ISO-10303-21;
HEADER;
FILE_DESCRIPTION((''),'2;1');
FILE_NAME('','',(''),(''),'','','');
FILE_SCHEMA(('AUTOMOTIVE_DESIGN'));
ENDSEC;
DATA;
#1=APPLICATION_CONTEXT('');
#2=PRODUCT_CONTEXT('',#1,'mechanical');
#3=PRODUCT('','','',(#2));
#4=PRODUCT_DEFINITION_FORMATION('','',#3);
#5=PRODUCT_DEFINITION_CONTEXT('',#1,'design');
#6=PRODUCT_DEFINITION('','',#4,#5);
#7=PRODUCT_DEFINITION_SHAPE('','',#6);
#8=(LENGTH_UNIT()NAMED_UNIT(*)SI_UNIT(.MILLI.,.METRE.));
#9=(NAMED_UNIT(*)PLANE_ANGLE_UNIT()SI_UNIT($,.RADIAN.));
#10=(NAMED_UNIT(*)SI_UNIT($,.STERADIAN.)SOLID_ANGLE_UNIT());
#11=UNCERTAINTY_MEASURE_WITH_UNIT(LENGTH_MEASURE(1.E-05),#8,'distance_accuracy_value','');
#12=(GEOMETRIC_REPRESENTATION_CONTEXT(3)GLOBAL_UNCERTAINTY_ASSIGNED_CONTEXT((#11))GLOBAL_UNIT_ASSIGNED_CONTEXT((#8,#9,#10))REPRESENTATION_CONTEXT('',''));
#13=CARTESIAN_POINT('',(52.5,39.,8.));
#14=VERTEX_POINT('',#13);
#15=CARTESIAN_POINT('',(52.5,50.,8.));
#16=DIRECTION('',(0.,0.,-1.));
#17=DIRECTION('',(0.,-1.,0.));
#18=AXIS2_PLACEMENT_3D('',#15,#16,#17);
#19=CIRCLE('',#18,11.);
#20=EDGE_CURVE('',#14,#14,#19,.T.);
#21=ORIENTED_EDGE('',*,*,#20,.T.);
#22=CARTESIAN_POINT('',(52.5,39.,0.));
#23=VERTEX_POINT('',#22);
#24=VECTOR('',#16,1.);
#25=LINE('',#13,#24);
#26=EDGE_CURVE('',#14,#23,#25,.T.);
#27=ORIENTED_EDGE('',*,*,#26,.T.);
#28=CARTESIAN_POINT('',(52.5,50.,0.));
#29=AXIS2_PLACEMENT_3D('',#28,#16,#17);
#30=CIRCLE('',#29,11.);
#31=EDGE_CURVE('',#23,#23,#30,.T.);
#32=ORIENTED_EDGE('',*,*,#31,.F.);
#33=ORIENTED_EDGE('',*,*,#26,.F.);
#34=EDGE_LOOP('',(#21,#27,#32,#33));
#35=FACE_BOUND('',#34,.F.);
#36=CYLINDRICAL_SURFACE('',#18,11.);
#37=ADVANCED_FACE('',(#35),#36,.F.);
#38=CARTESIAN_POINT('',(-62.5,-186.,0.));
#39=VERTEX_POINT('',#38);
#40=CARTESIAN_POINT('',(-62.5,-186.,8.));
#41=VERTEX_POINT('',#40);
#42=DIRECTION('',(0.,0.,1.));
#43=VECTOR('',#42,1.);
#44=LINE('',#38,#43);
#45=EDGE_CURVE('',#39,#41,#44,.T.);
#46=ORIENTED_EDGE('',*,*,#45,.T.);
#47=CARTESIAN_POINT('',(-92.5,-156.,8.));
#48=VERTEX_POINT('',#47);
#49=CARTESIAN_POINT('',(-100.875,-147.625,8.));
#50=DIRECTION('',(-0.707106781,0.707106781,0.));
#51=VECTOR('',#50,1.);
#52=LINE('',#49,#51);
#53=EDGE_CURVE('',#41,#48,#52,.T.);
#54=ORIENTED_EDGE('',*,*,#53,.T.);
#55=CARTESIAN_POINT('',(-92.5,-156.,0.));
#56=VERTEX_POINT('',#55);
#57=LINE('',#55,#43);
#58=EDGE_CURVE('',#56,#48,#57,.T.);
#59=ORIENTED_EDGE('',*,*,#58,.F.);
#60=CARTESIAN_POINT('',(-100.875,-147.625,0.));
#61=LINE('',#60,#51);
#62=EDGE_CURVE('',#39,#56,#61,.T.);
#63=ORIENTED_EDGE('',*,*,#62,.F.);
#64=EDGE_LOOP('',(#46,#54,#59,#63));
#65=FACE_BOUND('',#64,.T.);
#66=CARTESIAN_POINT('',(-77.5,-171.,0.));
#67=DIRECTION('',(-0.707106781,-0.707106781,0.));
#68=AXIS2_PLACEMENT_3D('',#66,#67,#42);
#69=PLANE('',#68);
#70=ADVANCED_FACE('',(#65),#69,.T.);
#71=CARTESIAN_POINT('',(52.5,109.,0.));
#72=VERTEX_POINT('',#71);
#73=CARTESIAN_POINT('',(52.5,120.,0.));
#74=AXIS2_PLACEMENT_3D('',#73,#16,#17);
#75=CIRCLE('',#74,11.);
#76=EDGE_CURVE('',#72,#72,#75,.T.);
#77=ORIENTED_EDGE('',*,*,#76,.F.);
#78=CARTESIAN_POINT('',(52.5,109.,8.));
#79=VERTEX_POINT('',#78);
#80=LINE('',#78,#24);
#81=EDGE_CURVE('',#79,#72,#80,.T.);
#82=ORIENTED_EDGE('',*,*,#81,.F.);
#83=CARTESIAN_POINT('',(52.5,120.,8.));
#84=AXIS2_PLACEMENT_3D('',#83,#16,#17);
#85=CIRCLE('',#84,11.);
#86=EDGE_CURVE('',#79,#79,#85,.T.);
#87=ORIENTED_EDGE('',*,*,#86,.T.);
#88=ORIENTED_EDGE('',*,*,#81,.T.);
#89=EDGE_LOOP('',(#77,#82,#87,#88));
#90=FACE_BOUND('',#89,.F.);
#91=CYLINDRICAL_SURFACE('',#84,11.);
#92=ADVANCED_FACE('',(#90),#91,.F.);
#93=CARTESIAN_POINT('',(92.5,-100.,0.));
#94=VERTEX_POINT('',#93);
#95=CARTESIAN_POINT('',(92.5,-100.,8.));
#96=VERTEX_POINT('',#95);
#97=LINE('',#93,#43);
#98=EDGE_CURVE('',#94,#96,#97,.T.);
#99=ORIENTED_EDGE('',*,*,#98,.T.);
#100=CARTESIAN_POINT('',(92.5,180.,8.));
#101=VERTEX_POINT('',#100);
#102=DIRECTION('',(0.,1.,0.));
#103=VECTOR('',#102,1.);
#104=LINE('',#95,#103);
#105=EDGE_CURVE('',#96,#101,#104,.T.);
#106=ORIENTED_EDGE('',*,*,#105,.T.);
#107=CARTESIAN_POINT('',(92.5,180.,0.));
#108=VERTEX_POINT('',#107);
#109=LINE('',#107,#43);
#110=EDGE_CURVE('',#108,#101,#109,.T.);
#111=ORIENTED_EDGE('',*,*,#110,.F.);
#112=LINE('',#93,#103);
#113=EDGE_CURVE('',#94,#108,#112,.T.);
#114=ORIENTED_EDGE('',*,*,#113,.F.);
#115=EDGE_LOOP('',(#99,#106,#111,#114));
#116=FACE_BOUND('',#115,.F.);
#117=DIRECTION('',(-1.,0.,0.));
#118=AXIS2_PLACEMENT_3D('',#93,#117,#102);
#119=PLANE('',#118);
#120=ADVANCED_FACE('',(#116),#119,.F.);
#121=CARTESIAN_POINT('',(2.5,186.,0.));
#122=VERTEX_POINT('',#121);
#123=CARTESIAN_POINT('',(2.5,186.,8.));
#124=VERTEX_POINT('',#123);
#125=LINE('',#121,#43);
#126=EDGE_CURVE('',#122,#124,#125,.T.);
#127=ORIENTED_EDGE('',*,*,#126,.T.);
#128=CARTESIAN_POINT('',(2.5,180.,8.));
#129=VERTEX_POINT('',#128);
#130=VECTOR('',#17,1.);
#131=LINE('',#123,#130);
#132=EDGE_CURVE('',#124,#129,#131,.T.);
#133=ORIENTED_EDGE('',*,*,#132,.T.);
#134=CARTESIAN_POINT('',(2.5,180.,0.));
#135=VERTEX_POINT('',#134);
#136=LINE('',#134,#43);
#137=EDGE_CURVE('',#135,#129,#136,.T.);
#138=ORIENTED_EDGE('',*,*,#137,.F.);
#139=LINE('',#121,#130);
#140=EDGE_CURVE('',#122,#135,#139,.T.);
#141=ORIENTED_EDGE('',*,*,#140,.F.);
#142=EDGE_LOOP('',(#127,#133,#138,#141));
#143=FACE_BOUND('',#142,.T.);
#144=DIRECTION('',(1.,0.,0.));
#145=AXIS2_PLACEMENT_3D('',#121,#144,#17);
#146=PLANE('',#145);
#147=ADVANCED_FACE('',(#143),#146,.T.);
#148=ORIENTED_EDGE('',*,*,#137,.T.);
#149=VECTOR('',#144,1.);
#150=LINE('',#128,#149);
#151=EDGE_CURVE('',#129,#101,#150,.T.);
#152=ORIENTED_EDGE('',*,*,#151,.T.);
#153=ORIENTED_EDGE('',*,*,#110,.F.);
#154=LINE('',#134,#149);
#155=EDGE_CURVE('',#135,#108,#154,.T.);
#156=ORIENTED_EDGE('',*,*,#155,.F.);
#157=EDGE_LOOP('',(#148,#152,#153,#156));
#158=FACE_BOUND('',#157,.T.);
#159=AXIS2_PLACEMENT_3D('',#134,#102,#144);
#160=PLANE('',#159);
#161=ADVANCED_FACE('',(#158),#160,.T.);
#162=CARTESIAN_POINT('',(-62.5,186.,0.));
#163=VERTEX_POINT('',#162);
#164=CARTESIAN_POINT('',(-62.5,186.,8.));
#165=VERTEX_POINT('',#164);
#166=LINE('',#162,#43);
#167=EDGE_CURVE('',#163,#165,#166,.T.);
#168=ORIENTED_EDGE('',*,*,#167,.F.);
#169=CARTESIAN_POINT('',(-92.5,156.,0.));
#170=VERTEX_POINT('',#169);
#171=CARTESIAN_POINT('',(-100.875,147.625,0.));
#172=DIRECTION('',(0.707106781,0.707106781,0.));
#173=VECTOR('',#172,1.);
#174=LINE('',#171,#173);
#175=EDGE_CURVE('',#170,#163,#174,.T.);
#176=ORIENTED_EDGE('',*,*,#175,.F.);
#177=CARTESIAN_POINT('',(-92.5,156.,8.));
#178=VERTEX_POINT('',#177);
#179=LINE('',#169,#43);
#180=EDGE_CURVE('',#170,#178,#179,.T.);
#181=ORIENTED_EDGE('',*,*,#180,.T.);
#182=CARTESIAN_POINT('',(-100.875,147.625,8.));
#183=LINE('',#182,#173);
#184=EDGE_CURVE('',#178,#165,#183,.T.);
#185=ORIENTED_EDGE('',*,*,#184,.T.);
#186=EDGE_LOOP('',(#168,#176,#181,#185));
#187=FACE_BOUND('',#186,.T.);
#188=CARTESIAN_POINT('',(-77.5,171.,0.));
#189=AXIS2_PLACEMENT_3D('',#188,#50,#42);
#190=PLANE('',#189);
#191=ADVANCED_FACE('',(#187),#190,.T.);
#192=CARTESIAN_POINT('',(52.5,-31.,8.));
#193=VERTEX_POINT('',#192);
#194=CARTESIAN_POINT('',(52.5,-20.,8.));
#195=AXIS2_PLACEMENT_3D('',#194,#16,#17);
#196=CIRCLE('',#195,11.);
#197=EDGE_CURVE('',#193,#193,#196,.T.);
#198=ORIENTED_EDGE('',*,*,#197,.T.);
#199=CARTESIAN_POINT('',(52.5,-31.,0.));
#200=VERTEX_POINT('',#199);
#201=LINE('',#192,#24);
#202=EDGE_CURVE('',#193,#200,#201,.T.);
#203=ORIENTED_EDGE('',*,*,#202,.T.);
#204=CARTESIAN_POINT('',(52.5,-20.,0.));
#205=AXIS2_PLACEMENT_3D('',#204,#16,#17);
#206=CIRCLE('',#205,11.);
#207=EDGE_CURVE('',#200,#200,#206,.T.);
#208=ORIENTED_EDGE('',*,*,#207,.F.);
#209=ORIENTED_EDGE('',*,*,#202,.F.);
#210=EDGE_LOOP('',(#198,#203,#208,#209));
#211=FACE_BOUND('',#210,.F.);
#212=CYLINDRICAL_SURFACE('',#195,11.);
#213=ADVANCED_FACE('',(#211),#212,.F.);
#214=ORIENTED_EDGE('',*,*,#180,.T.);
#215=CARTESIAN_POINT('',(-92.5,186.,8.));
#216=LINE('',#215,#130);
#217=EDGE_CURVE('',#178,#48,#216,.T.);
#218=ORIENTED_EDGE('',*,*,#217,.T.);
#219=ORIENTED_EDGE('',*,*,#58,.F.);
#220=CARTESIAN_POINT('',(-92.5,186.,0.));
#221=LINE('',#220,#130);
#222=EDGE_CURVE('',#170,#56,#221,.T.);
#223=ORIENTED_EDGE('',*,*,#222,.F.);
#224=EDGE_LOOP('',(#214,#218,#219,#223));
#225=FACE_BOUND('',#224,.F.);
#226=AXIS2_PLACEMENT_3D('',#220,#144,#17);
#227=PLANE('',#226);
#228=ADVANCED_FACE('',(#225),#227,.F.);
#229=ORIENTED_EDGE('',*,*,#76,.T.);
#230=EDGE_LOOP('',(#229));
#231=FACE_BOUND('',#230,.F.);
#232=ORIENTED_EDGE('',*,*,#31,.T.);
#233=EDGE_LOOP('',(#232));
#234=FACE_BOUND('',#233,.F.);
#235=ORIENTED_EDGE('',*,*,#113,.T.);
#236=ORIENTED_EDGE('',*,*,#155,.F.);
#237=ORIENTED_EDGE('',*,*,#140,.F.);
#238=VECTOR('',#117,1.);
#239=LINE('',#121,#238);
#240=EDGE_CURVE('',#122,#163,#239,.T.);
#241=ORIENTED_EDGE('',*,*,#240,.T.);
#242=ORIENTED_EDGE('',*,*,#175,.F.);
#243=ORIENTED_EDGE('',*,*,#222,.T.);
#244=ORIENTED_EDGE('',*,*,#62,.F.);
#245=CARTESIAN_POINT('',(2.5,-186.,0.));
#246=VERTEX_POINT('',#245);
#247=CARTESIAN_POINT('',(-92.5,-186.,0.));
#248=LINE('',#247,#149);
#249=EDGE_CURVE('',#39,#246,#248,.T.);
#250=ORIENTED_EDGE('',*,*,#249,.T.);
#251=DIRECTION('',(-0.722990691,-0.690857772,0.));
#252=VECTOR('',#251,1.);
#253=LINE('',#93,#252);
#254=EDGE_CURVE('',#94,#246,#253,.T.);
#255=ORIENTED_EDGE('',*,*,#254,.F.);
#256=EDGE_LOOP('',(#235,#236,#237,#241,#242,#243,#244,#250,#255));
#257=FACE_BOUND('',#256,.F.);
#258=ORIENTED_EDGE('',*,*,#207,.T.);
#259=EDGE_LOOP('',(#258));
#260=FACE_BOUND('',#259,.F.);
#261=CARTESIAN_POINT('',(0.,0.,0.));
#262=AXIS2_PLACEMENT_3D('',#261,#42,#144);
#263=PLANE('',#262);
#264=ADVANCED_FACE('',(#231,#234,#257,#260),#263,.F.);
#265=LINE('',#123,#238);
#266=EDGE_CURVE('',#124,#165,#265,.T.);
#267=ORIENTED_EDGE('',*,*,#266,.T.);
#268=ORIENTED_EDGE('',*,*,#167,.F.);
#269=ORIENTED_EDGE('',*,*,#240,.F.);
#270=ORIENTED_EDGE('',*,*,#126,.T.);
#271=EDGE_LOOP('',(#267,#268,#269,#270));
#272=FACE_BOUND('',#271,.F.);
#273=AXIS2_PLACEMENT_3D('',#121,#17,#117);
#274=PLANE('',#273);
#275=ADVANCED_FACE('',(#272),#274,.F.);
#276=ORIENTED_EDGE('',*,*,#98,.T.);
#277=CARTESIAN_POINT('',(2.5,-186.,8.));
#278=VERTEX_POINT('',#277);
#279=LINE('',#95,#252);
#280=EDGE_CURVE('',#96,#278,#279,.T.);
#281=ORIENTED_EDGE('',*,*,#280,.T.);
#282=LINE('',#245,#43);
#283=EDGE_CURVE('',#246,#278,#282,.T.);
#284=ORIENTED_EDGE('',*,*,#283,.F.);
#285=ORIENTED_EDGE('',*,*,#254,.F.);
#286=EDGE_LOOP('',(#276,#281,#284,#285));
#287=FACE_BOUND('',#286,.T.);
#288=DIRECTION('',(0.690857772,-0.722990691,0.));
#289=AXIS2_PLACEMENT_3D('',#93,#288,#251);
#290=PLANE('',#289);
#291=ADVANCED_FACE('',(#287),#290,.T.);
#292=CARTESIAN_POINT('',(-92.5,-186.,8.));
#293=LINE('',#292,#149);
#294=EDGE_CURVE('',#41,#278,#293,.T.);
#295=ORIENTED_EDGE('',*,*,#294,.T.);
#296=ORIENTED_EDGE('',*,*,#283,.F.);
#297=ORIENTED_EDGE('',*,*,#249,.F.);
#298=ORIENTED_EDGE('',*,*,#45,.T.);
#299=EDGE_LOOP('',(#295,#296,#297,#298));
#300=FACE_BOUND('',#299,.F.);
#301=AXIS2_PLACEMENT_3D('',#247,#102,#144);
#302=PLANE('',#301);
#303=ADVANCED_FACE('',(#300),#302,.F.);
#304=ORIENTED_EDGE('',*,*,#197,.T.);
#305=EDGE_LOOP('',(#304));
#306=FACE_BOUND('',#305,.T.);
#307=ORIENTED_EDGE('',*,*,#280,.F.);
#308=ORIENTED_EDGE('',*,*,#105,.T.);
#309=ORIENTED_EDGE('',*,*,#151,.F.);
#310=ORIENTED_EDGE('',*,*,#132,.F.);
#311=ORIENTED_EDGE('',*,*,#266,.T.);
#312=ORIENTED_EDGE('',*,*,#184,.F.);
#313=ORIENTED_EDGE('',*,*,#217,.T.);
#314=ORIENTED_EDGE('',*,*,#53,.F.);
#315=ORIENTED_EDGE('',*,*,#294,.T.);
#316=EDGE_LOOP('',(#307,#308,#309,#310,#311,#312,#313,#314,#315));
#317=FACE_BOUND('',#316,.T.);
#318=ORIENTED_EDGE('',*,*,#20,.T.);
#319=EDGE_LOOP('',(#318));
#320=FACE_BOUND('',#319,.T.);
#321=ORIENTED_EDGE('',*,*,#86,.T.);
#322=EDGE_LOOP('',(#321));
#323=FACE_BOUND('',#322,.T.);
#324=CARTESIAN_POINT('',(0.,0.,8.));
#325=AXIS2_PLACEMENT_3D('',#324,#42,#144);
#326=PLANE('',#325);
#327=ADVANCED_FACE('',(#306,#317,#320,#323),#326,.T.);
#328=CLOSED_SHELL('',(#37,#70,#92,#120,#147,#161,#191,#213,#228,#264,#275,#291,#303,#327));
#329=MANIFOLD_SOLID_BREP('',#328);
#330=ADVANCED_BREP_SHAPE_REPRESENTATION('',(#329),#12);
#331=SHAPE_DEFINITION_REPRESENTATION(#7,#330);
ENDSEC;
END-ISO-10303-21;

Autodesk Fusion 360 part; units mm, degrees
sketch "スケッチ1" plane through (0, 0, 0) normal (0, 0, 1) x (1, 0, 0)
  line L0 (2.5, 186) -> (-92.5, 186)
  line L1 (-92.5, 186) -> (-92.5, -186)
  line L2 (-92.5, -186) -> (2.5, -186)
  line L3 (92.5, -100) -> (92.5, 180)
  line L4 (89.5161, 180) -> (-92.5, -186) construction
  line L5 (-92.5, 186) -> (63.5083, -127.7032) construction
  line L6 (2.5, 186) -> (2.5, 180)
  line L7 (2.5, 180) -> (92.5, 180)
  line L8 (-92.5, -186) -> (2.5, -186) construction
  line L9 (92.5, -100) -> (2.5, -186)
  dimension "d2" = 372
  dimension "d5" = 95
extrude "押し出し1" add sketch "スケッチ1" along normal blind 8
chamfer "面取り1" distance 30 angle 45 2 edges at (-92.5, -186, 4) (-92.5, 186, 4)
sketch "スケッチ2" plane through (0, 0, 8) normal (0, 0, 1) x (-1, 0, 0)
  line L0 (62.5, -186) -> (92.5, -156)
  line L1 (92.5, -156) -> (92.5, 156)
  line L2 (92.5, 156) -> (62.5, 186)
  line L3 (62.5, 186) -> (-2.5, 186)
  line L4 (-2.5, 186) -> (-92.5, 100)
  line L5 (-92.5, 100) -> (-92.5, -180)
  line L6 (-92.5, -180) -> (-2.5, -180)
  line L7 (-2.5, -180) -> (-2.5, -186)
  line L8 (-2.5, -186) -> (62.5, -186)
  line L9 (-92.5, -180) -> (-52.5, -180) construction
  line L10 (-52.5, -180) -> (-52.5, -120) construction
  line L11 (-52.5, -120) -> (-92.5, -120) construction
  line L12 (-92.5, -120) -> (-92.5, -180) construction
  line L13 (-52.5, -120) -> (-52.5, -50) construction
  line L14 (-52.5, -50) -> (-52.5, 20) construction
  point P0 (-52.5, -120)
  point P1 (-52.5, -50)
  point P2 (-52.5, 20)
  dimension "d10" = 40
  dimension "d11" = 60
  dimension "d12" = 70
  dimension "d13" = 70
hole "穴1" at (52.5, 120, 8) at (52.5, 50, 8) at (52.5, -20, 8) direction (0, 0, -1) diameter 22 end through all
equation "d5 = 30 mm + 65 mm"
